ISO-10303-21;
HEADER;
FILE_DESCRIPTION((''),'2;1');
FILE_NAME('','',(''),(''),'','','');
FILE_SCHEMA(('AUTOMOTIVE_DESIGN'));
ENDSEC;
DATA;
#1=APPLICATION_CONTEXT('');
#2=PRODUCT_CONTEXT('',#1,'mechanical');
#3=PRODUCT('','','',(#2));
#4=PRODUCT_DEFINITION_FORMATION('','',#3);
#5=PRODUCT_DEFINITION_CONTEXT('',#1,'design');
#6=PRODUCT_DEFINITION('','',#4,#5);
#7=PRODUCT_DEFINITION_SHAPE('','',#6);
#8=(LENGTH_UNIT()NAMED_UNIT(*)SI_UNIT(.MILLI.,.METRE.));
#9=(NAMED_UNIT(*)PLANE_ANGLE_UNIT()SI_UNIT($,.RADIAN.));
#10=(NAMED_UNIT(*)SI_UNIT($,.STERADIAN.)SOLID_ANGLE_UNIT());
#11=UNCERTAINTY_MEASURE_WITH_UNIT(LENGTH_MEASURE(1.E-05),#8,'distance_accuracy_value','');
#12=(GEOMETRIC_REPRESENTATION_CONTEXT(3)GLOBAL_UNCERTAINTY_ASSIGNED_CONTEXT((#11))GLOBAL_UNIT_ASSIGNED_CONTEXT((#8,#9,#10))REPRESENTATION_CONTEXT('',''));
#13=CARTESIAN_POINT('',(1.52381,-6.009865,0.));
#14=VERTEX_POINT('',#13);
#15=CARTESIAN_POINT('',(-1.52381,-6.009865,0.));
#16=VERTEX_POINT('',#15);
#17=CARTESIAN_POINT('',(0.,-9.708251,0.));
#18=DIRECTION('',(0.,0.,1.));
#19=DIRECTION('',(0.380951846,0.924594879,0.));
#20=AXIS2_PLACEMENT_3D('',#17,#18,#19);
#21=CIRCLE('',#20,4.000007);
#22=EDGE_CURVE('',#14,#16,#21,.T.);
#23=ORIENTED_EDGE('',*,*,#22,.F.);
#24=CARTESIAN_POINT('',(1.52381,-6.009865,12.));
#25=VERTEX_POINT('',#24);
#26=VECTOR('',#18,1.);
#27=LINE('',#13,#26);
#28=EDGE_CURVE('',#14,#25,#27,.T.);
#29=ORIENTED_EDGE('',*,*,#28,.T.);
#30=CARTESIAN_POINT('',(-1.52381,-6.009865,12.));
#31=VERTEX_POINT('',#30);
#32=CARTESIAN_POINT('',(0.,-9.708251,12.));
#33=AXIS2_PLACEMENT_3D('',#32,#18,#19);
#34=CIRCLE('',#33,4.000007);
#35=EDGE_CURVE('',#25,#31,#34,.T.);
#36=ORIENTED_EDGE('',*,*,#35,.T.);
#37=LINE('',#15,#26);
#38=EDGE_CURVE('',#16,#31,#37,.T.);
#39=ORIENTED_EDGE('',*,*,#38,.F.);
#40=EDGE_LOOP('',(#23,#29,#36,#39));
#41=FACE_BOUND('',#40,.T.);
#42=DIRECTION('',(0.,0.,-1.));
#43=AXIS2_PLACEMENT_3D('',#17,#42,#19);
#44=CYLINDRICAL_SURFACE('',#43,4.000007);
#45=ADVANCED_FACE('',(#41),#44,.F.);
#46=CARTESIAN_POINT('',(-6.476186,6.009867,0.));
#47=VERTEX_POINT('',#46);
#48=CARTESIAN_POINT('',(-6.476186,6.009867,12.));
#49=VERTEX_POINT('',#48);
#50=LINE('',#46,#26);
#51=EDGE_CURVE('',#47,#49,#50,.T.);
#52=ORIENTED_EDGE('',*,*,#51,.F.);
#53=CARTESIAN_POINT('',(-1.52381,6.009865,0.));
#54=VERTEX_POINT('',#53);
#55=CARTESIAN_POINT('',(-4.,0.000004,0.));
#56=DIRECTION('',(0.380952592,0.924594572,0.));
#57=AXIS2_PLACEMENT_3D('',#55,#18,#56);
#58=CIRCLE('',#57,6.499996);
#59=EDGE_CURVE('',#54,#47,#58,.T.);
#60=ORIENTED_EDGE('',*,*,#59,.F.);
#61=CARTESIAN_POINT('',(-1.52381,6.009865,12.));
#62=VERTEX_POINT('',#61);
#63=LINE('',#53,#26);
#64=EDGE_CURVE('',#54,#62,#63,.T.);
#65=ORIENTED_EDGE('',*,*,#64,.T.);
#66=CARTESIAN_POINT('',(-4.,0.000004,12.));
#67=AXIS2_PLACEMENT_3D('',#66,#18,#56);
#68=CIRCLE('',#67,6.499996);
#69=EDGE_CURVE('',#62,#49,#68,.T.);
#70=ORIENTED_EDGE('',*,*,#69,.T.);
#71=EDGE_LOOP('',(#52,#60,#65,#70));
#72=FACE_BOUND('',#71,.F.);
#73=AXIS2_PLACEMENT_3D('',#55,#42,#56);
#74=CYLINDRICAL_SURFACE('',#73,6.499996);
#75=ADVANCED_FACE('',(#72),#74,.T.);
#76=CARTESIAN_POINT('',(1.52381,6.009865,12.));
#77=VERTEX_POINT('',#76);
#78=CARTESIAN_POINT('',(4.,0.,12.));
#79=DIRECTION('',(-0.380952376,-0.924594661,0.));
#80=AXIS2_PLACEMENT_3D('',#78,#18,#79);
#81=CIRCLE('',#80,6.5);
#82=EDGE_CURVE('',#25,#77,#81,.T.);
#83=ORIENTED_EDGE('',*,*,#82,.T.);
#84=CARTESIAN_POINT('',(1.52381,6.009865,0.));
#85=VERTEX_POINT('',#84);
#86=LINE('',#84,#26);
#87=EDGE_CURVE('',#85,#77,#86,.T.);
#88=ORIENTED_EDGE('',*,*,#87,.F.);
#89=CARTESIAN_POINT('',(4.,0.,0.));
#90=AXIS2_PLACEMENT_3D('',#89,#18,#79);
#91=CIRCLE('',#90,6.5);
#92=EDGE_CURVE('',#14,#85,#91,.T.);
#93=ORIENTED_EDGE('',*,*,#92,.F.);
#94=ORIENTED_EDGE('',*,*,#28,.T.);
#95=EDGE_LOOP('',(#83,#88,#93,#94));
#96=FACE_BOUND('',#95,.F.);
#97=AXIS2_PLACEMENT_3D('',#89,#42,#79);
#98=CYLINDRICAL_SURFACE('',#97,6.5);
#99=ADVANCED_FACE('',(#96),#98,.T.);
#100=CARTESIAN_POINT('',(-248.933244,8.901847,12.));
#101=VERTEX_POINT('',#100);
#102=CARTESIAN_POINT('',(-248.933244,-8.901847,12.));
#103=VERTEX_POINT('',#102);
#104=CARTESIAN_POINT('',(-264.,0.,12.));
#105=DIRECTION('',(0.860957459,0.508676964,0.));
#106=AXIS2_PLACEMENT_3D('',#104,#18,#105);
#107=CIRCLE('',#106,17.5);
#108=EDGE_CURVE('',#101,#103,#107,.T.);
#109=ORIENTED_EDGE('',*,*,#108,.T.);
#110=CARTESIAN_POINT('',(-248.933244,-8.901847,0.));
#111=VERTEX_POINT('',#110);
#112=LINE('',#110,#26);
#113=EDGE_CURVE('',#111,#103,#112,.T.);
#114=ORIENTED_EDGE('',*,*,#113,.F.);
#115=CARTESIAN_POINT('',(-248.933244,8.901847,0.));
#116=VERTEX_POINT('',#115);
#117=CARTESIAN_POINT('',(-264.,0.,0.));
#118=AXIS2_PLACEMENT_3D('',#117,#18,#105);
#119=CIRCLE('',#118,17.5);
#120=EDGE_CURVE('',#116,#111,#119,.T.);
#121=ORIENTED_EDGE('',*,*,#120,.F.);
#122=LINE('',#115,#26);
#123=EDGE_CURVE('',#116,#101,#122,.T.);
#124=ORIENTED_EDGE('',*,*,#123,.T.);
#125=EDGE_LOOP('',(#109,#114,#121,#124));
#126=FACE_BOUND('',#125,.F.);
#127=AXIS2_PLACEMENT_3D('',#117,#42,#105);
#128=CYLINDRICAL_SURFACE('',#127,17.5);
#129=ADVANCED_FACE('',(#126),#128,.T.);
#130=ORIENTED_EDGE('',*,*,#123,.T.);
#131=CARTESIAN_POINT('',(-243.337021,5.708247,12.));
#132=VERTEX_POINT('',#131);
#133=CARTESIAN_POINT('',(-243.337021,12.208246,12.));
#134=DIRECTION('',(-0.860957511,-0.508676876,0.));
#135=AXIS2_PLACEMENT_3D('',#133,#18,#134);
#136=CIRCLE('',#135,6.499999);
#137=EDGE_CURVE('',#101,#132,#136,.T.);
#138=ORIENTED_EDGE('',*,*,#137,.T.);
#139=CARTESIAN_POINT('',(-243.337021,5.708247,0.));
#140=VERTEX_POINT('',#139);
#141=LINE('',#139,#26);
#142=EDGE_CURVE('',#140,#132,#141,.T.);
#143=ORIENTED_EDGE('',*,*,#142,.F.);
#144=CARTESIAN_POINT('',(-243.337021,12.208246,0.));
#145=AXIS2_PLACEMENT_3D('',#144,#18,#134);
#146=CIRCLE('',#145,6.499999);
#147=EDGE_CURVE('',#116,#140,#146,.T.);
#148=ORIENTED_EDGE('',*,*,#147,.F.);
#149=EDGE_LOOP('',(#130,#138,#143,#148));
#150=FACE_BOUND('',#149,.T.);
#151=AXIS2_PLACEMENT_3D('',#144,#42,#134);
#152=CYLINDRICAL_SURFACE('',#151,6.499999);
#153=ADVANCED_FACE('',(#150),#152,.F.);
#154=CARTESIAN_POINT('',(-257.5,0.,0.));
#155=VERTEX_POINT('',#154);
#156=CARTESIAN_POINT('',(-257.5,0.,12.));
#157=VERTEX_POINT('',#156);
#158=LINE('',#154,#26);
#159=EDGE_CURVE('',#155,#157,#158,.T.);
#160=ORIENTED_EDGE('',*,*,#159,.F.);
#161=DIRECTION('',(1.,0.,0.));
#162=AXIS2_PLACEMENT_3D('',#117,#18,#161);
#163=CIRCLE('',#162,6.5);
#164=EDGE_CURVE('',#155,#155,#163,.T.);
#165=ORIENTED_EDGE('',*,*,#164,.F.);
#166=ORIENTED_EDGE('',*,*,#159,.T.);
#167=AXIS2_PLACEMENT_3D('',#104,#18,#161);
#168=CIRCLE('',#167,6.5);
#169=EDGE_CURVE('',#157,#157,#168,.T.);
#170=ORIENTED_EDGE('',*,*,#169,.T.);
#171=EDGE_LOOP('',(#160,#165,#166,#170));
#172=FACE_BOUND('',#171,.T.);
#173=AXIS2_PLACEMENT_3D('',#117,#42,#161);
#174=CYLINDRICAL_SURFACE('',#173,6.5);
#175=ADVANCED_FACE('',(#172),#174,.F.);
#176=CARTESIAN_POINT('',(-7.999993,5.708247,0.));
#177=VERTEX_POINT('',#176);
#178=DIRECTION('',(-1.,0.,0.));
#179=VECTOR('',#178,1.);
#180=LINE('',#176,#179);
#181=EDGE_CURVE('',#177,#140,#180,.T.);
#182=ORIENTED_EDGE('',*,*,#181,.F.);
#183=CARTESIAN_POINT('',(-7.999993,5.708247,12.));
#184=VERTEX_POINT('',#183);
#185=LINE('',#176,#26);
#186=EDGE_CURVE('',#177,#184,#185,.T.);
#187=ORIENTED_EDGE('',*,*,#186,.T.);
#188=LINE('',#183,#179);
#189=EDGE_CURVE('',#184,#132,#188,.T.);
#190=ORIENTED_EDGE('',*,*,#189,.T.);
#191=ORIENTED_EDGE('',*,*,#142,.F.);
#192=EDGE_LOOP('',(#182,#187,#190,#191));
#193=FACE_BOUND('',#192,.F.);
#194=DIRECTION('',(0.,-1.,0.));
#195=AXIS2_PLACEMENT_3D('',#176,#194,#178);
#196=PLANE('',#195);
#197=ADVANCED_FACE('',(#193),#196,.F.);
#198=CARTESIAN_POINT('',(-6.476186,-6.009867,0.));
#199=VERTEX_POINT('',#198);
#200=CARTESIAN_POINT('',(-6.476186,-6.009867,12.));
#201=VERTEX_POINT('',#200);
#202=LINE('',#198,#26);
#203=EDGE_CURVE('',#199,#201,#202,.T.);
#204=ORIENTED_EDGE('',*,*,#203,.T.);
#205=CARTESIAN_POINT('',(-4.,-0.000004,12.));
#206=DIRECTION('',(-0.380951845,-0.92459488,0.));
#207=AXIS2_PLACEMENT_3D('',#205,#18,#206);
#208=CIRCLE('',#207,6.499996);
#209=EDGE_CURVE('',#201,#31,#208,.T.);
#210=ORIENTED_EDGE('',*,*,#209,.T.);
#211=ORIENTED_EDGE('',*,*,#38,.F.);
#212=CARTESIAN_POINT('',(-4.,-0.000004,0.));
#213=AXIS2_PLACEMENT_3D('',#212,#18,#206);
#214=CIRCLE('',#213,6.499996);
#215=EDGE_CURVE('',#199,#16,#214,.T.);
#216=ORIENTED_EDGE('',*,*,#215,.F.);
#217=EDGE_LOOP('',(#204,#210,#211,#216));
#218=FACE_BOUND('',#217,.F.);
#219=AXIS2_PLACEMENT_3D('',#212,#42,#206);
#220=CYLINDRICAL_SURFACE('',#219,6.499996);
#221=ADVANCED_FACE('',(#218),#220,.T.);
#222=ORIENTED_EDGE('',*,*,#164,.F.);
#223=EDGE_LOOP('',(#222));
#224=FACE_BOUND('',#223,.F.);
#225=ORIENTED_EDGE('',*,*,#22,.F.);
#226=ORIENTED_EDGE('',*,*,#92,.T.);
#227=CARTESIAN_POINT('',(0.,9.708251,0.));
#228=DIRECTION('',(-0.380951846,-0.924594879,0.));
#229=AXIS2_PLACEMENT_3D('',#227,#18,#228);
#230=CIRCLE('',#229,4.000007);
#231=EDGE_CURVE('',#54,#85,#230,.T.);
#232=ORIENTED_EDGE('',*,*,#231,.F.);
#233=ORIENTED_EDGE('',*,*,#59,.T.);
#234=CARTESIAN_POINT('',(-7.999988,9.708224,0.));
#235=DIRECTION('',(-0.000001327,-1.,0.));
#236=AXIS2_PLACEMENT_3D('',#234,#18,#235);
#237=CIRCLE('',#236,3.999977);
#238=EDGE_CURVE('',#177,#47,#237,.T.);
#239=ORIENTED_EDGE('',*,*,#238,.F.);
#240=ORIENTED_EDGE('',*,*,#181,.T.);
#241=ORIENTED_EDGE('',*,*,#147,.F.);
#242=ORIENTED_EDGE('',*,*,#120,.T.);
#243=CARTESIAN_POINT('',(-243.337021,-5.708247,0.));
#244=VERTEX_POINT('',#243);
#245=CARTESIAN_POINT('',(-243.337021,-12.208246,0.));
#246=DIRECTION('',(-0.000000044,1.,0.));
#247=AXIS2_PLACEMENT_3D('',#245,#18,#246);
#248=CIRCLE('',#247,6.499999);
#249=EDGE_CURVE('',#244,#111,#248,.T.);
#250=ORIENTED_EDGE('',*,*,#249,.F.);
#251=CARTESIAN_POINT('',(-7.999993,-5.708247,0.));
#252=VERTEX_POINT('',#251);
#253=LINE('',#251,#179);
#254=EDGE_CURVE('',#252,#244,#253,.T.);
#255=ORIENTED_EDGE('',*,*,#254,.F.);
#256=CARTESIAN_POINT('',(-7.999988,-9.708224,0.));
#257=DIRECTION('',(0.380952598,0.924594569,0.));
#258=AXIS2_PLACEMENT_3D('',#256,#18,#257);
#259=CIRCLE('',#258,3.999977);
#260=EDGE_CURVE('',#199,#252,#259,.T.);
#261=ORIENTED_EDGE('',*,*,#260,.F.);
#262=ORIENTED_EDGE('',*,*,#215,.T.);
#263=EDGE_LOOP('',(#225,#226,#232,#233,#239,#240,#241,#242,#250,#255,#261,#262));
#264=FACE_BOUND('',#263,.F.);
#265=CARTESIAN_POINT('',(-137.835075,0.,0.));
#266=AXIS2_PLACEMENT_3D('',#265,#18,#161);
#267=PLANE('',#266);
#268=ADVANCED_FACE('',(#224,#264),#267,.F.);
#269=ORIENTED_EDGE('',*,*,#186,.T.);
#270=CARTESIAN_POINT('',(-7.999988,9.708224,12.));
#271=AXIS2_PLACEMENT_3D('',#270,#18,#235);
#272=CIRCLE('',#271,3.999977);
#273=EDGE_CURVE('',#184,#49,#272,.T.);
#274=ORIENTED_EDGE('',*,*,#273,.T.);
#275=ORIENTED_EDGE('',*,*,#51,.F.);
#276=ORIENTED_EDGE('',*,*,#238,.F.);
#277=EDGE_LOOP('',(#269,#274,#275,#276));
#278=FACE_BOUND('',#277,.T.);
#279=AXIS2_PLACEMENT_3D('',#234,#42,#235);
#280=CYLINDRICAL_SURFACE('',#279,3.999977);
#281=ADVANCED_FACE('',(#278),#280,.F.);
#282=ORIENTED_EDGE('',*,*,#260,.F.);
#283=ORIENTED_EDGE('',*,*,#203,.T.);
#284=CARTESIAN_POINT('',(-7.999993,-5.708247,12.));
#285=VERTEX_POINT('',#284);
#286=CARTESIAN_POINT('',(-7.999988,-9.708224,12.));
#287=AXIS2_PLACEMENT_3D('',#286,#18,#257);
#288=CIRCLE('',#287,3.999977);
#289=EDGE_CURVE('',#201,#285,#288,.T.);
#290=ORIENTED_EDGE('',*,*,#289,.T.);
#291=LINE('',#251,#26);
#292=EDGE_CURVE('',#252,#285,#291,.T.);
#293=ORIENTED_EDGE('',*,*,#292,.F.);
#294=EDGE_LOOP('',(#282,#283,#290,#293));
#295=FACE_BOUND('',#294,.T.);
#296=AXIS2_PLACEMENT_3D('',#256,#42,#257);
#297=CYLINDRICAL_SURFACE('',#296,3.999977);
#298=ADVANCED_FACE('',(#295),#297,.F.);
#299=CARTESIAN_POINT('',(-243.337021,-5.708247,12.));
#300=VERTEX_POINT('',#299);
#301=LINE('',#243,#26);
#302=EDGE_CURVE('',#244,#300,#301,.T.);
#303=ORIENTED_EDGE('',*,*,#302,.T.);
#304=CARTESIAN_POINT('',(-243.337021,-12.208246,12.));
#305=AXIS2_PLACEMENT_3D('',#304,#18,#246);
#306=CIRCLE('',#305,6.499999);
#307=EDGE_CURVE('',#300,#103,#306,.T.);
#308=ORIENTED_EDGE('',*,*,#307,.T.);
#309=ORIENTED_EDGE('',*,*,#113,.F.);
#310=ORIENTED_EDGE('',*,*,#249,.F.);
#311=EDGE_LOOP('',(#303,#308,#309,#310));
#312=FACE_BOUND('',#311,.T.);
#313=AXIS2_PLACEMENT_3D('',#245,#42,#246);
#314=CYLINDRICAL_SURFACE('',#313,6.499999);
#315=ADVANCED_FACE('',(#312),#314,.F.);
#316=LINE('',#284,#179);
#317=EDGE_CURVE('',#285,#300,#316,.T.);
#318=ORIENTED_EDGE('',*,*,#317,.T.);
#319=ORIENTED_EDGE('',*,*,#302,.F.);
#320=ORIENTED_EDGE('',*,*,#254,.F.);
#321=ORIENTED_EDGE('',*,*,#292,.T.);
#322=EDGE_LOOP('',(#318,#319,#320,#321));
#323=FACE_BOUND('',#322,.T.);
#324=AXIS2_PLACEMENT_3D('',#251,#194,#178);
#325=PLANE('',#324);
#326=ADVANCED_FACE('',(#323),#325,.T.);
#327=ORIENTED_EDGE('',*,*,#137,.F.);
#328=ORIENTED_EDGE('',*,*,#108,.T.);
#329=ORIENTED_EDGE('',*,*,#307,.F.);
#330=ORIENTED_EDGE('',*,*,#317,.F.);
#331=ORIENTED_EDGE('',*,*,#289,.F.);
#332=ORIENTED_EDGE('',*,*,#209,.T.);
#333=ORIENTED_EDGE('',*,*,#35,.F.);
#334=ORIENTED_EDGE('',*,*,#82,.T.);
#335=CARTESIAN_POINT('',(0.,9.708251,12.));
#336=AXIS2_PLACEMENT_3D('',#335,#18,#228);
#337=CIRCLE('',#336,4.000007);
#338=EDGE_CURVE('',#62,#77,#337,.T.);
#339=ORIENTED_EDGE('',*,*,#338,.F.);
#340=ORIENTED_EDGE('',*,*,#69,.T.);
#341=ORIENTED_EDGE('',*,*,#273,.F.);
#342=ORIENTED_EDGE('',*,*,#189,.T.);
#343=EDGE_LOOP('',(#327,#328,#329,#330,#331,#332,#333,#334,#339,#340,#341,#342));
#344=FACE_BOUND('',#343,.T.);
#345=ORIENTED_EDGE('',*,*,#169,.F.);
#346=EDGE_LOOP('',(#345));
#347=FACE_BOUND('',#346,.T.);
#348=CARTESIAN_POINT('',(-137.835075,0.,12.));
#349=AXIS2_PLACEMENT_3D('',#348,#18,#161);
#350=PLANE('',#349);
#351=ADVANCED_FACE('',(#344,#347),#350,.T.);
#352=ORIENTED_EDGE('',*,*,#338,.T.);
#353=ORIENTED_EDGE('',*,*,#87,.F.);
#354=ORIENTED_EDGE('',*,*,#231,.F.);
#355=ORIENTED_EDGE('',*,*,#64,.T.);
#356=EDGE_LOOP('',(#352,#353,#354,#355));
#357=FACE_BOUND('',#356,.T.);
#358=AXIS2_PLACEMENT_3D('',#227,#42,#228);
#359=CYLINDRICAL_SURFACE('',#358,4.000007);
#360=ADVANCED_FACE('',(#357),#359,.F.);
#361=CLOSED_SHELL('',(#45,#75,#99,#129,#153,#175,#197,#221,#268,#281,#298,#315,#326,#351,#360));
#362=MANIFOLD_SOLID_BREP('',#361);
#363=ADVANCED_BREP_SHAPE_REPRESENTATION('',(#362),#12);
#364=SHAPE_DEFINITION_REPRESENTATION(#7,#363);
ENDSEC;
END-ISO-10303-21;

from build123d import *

# Parameters (mm, degrees)
SKETCH_R  = 6.5
PAD_DEPTH = 12


with BuildPart() as part:
    # Sketch → Pad (new body)
    with BuildSketch(Plane.XY):
        with BuildLine():
            ThreePointArc((-1.52381, 6.009865), (-3.999998, 6.5), (-6.476186, 6.009867))
            ThreePointArc((-7.999993, 5.708247), (-7.223307, 5.784376), (-6.476186, 6.009867))
            Line((-7.999993, 5.708247), (-243.337021, 5.708247))
            ThreePointArc((-248.933244, 8.901847), (-246.558697, 6.562824), (-243.337021, 5.708247))
            ThreePointArc((-248.933244, 8.901847), (-281.5, 0), (-248.933244, -8.901847))
            ThreePointArc((-243.337021, -5.708247), (-246.558697, -6.562824), (-248.933244, -8.901847))
            Line((-7.999993, -5.708247), (-243.337021, -5.708247))
            ThreePointArc((-6.476186, -6.009867), (-7.223307, -5.784376), (-7.999993, -5.708247))
            ThreePointArc((-6.476186, -6.009867), (-3.999998, -6.5), (-1.52381, -6.009865))
            ThreePointArc((1.52381, -6.009865), (0, -5.708244), (-1.52381, -6.009865))
            ThreePointArc((1.52381, -6.009865), (10.5, 0), (1.52381, 6.009865))
            ThreePointArc((-1.52381, 6.009865), (0, 5.708244), (1.52381, 6.009865))
        make_face()
        with Locations((-264, 0)):
            Circle(SKETCH_R, mode=Mode.SUBTRACT)
    extrude(amount=PAD_DEPTH)


solid = part.part
